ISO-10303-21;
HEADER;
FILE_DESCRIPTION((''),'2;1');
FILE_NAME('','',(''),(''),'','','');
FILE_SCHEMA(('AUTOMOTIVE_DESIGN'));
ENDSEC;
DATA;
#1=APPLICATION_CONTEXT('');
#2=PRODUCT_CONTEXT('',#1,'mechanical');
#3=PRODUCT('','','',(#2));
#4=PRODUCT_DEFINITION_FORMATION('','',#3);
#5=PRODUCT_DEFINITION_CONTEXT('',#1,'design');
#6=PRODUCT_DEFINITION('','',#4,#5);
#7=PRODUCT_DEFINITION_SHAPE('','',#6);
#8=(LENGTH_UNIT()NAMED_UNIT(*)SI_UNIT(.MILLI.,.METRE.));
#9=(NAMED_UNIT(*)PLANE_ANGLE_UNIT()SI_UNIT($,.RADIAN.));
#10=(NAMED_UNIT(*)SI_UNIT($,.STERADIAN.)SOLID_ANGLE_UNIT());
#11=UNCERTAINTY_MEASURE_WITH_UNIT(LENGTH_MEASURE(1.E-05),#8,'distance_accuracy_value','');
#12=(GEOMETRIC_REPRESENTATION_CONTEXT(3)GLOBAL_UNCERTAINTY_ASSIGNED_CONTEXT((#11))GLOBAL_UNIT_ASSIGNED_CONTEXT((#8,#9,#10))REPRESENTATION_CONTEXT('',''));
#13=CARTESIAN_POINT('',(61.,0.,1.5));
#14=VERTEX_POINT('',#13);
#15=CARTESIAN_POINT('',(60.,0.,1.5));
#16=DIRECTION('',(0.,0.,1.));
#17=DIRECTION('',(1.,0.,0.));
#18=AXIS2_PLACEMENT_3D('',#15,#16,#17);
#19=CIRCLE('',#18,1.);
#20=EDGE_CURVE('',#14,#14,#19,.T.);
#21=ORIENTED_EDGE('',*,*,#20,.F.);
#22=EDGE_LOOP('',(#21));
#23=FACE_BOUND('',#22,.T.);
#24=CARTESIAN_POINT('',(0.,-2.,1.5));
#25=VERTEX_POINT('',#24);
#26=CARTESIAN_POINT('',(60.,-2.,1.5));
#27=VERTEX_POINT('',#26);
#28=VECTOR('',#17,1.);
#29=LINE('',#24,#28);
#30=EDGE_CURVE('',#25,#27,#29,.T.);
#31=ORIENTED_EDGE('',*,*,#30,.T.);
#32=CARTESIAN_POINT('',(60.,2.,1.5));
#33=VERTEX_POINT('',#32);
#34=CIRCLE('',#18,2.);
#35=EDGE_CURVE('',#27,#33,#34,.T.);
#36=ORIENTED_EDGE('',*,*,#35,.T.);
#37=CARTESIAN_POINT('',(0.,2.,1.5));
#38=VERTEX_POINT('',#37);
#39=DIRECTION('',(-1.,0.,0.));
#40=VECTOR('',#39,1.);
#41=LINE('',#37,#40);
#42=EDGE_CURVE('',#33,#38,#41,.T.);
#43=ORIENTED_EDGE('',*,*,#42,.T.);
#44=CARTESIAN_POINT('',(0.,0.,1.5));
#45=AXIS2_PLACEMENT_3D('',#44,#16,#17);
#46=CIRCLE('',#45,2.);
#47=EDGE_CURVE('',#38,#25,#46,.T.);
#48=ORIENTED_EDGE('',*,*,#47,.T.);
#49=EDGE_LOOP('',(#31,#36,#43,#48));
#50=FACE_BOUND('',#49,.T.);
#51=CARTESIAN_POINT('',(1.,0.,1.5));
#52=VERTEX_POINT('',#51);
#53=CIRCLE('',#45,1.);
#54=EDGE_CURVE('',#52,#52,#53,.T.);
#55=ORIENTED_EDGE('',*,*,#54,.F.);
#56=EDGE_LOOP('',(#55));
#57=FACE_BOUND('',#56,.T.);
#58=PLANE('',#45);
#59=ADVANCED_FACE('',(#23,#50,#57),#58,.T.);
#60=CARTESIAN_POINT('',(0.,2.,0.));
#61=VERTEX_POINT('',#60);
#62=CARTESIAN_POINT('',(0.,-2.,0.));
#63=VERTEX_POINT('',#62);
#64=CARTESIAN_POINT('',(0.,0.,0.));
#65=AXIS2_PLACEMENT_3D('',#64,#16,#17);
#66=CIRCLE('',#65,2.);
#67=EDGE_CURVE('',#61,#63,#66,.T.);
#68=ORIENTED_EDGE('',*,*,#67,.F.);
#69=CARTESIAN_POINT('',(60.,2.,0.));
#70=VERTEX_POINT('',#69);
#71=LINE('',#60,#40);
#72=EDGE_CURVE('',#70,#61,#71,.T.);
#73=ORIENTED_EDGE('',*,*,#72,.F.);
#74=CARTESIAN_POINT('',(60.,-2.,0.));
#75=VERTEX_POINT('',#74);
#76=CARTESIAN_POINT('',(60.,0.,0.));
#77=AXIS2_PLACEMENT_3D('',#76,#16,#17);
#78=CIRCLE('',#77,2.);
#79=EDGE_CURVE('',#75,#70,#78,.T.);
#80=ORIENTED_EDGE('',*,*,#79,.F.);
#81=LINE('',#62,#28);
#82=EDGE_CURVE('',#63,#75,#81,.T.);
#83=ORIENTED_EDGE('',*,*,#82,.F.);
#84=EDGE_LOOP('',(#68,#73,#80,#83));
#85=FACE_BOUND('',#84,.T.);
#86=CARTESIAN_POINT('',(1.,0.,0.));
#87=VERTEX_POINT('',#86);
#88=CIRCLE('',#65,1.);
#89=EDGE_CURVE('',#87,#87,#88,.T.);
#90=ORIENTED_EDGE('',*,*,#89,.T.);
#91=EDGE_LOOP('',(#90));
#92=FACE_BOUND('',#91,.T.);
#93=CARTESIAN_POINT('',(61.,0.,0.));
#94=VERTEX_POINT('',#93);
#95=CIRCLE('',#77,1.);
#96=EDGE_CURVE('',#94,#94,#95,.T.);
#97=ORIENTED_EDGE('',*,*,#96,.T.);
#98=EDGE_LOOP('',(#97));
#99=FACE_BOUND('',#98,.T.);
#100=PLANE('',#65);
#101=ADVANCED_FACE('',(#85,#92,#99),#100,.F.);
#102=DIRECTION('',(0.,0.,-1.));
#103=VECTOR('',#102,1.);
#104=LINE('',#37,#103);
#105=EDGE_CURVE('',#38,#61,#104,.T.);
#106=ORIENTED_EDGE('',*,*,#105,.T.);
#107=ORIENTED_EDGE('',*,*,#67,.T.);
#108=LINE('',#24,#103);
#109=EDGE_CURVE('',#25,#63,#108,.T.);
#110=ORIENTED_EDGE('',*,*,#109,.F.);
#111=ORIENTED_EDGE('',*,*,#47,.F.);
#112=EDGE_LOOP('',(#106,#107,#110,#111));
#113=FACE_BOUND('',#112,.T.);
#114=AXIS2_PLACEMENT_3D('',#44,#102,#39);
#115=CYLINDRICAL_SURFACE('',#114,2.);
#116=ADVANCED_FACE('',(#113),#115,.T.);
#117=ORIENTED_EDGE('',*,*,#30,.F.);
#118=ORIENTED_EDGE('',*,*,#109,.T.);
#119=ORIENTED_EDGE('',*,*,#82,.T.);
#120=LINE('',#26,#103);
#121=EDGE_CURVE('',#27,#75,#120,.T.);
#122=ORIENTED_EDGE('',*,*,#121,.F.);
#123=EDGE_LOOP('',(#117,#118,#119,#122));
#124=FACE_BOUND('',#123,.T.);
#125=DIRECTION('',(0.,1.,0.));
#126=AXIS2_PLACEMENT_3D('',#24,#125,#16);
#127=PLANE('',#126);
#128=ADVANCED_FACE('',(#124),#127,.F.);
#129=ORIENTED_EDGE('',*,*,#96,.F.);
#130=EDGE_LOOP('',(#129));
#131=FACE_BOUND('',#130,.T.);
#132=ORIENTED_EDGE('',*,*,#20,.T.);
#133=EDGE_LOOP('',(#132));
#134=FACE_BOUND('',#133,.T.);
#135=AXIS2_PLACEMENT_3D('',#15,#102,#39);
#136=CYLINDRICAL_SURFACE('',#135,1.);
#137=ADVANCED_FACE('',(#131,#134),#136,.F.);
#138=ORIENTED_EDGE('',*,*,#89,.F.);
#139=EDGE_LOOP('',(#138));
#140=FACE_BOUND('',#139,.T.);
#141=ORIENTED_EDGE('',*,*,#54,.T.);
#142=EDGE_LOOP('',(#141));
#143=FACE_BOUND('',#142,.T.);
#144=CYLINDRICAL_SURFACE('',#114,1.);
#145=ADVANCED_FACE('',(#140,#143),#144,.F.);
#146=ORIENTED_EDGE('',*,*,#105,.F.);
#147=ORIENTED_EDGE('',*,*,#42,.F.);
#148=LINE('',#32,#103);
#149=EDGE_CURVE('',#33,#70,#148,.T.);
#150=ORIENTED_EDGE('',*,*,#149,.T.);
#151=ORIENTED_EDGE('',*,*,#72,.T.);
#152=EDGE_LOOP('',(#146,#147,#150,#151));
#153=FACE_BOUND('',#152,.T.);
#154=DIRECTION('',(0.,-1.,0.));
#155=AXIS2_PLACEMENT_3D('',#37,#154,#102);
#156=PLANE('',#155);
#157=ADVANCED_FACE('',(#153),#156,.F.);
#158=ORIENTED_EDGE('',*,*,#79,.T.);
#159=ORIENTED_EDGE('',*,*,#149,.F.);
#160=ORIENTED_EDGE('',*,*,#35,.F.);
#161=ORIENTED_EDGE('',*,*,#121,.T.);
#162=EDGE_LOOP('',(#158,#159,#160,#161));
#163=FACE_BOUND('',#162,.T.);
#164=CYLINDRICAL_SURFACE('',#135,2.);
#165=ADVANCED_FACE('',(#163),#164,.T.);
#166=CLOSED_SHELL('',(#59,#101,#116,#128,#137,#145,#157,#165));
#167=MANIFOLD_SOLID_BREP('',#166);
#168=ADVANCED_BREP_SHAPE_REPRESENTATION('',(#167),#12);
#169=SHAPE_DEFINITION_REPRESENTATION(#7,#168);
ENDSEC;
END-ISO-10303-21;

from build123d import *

# Parameters (mm, degrees)
SKETCH_1_R      = 1
EXTRUDE_1_DEPTH = 1.5


with BuildPart() as part:
    # 草图1 → 凸台-拉伸1 (new body)
    with BuildSketch(Plane.XY):
        with BuildLine():
            Line((0, 2), (60, 2))
            ThreePointArc((60, 2), (62, 0), (60, -2))
            Line((60, -2), (0, -2))
            ThreePointArc((0, -2), (-2, 0), (0, 2))
        make_face()
        with Locations((60, 0)):
            Circle(SKETCH_1_R, mode=Mode.SUBTRACT)
        Circle(SKETCH_1_R, mode=Mode.SUBTRACT)
    extrude(amount=EXTRUDE_1_DEPTH)


solid = part.part
